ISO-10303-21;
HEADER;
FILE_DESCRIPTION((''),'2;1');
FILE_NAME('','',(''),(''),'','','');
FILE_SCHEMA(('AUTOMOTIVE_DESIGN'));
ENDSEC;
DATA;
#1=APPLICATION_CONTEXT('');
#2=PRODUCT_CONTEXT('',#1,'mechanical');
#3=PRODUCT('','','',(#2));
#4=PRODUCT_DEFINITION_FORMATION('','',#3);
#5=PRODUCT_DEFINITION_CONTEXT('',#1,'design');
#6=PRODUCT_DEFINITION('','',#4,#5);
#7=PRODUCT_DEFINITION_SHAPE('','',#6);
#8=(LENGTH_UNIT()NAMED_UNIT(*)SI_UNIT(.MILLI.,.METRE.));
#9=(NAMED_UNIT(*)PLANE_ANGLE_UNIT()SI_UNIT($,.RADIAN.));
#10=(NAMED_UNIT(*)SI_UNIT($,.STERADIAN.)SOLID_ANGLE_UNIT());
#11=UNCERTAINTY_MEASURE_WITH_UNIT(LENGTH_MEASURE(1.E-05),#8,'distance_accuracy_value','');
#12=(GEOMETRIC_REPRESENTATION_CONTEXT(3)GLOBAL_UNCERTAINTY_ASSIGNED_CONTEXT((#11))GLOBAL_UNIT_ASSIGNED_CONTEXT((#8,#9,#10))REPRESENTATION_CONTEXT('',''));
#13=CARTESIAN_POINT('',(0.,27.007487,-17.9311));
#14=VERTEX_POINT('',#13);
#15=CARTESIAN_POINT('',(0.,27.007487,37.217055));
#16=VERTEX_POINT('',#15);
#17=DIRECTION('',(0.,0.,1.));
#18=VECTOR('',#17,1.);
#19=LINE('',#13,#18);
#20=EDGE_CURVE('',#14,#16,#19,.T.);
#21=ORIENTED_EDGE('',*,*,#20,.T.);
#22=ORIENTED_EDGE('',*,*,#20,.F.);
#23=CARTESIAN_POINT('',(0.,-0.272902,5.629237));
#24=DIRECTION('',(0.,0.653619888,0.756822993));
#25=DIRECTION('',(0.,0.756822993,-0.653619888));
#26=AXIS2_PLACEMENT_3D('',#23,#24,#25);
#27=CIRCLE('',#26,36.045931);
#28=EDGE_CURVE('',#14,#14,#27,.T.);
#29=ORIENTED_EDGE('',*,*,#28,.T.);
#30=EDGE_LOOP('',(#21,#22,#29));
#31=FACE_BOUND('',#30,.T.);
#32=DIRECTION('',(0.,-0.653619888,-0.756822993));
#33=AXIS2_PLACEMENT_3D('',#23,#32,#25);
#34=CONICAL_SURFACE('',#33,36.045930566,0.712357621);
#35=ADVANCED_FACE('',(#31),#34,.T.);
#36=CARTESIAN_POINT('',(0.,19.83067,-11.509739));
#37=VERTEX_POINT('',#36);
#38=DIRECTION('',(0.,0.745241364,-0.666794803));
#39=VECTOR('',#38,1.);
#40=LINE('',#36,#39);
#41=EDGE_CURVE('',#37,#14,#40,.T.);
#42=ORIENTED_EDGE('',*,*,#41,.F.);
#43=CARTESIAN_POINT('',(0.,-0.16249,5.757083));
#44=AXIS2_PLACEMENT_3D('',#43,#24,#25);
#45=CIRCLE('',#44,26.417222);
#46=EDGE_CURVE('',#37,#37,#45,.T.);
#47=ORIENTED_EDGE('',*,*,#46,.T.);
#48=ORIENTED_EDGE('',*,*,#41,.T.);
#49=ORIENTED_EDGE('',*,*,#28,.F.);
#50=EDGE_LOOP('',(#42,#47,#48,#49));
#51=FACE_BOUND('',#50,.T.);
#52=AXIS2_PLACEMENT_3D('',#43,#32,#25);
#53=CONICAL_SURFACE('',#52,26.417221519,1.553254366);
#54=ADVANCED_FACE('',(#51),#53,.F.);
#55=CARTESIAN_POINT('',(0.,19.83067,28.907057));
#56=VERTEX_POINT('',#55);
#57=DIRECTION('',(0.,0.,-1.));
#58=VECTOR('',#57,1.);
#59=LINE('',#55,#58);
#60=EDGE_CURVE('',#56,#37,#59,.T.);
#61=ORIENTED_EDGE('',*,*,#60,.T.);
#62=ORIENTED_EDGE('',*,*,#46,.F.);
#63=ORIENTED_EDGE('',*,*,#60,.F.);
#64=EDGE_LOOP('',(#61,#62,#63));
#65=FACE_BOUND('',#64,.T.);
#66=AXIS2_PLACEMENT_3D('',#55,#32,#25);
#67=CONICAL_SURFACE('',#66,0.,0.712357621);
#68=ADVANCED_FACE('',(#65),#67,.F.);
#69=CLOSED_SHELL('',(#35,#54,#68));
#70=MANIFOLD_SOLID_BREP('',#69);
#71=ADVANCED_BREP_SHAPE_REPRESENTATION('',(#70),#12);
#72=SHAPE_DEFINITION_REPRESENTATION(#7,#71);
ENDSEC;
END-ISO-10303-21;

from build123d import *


with BuildPart() as f1:
    # F0 (on Right) → F1 (revolve)
    with BuildSketch(Plane.YZ):
        Polygon((27.0074866712, -17.9310999811), (27.0074866712, 37.2170545161), (19.8306702077, 28.9070568979), (19.8306702077, -11.5097388625), align=None)
    revolve(axis=Axis((0, 23.4190784395, 33.062055707), (0, 0.653619888, 0.7568229925)))


solid = f1.part
